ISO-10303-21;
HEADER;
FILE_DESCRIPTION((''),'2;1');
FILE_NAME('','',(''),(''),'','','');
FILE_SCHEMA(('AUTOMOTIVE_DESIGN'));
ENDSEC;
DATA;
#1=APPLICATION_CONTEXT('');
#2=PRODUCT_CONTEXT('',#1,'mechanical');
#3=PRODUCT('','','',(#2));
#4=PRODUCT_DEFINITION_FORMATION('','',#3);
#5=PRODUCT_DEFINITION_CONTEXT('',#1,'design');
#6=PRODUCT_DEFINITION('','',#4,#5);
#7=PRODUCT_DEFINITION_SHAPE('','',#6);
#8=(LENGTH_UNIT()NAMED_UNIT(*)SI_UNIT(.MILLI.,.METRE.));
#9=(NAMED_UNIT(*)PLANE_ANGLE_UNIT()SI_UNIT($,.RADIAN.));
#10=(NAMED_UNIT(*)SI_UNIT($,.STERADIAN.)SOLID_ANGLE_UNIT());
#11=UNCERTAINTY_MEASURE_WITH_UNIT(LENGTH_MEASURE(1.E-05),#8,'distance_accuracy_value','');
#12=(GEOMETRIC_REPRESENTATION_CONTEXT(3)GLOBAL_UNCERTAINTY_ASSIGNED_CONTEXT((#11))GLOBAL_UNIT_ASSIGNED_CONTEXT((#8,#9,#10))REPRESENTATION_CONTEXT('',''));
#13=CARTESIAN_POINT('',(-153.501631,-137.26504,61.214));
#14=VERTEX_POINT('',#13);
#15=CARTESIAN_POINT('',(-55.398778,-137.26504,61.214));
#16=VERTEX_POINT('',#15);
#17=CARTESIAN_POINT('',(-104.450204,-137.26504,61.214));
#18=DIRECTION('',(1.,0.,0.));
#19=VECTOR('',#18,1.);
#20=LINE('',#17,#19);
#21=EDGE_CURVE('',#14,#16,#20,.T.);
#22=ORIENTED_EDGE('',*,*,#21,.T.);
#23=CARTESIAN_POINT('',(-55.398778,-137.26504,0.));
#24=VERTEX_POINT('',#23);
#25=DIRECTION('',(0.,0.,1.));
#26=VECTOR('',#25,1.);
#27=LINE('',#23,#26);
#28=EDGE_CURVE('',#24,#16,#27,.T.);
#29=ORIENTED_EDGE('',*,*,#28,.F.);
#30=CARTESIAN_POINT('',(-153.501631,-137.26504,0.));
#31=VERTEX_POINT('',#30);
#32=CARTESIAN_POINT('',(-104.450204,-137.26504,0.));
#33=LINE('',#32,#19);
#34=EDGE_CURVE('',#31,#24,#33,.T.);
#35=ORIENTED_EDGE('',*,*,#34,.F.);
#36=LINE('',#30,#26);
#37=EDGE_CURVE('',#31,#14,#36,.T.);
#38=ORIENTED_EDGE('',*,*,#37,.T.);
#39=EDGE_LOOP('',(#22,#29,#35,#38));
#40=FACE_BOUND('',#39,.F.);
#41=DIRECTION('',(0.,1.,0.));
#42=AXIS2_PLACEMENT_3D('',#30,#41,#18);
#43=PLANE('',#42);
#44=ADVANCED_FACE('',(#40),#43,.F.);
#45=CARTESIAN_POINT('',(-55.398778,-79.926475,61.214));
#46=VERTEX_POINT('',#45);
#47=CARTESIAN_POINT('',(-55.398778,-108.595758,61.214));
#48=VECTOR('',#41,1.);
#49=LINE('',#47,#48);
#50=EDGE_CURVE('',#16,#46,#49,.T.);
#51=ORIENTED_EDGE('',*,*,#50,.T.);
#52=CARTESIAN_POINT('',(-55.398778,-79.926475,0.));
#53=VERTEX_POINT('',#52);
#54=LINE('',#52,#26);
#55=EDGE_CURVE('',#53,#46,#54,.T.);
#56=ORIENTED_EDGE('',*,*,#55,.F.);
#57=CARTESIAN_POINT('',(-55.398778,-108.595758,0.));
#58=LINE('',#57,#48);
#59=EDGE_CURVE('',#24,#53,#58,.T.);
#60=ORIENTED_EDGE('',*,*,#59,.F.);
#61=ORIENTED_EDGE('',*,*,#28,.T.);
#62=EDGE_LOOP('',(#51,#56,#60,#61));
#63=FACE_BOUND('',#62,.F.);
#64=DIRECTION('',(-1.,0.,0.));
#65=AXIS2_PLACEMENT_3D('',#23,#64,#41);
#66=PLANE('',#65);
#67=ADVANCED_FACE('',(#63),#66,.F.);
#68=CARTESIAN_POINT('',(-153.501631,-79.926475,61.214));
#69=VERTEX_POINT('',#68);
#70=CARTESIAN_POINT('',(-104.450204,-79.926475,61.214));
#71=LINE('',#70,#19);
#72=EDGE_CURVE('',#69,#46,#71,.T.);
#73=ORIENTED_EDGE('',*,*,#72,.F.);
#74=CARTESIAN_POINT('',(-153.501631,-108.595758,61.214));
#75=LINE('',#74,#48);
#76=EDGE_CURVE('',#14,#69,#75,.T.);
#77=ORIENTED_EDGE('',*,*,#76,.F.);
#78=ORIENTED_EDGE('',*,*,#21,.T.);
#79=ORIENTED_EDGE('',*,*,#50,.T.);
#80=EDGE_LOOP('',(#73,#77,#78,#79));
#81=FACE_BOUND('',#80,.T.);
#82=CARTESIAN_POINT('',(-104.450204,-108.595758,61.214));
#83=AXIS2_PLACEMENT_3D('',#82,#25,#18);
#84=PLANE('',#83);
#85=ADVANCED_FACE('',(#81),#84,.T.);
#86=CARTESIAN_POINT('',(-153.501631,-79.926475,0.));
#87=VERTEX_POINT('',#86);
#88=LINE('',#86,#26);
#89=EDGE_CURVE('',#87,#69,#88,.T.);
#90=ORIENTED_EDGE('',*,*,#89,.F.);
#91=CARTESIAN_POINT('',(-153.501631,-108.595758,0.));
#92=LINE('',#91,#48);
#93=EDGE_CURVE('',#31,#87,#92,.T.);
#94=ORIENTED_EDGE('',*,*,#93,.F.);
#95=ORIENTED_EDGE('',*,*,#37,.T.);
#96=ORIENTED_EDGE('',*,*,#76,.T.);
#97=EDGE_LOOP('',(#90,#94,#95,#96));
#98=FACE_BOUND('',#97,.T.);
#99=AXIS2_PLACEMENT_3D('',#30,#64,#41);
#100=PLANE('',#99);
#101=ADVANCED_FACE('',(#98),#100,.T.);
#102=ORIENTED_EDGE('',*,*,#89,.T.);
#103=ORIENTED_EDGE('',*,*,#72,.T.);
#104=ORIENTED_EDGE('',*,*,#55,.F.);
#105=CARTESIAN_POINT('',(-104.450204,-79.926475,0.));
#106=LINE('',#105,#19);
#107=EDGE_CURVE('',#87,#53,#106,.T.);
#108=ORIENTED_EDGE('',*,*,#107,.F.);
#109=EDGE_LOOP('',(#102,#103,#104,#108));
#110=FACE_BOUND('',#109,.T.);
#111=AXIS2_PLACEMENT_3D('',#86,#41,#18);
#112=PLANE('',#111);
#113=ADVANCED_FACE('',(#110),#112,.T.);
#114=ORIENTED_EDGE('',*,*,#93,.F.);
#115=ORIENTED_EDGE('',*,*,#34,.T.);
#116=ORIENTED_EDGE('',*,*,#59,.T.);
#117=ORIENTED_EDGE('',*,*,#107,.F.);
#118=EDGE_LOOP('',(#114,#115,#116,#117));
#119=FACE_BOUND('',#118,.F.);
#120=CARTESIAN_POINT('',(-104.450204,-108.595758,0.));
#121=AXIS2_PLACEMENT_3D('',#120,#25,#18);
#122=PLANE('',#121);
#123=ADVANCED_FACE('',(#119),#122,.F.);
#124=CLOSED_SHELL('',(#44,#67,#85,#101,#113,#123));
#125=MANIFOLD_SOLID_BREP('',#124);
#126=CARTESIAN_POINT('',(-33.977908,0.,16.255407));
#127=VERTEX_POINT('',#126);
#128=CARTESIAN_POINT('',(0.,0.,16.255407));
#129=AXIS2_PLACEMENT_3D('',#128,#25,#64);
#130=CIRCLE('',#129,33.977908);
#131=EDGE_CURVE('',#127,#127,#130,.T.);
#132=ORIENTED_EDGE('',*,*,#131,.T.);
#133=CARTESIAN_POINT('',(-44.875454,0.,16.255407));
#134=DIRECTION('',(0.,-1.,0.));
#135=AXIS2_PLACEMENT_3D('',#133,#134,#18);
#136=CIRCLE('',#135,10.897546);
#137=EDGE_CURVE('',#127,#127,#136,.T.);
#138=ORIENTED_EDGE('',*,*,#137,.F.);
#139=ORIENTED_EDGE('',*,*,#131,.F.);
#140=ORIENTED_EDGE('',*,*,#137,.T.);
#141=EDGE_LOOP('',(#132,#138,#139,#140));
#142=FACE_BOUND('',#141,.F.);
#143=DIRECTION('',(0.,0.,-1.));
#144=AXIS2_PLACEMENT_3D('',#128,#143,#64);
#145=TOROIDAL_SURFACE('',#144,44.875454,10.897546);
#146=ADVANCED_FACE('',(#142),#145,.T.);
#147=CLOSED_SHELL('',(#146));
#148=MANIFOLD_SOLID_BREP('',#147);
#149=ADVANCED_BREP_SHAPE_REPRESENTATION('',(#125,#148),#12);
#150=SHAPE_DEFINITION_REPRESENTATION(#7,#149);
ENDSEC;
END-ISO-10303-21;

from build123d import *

# Parameters (mm, degrees)
F0_R     = 10.897546
F2_W     = 98.102853
F2_H     = 57.338565
F3_DEPTH = 61.214


with BuildPart() as f1:
    # F0 (on Front) → F1 (revolve)
    with BuildSketch(Plane.XZ):
        with Locations((-44.875454, 16.255407)):
            Circle(F0_R)
    revolve(axis=Axis((0, 0, 26.729299), (0, 0, 1)))


with BuildPart() as f3:
    # F2 (on Top) → F3 (new body)
    with BuildSketch(Plane.XY):
        with Locations((-104.450204, -108.595758)):
            Rectangle(F2_W, F2_H)
    extrude(amount=F3_DEPTH)


solid = Compound([f1.part, f3.part])
